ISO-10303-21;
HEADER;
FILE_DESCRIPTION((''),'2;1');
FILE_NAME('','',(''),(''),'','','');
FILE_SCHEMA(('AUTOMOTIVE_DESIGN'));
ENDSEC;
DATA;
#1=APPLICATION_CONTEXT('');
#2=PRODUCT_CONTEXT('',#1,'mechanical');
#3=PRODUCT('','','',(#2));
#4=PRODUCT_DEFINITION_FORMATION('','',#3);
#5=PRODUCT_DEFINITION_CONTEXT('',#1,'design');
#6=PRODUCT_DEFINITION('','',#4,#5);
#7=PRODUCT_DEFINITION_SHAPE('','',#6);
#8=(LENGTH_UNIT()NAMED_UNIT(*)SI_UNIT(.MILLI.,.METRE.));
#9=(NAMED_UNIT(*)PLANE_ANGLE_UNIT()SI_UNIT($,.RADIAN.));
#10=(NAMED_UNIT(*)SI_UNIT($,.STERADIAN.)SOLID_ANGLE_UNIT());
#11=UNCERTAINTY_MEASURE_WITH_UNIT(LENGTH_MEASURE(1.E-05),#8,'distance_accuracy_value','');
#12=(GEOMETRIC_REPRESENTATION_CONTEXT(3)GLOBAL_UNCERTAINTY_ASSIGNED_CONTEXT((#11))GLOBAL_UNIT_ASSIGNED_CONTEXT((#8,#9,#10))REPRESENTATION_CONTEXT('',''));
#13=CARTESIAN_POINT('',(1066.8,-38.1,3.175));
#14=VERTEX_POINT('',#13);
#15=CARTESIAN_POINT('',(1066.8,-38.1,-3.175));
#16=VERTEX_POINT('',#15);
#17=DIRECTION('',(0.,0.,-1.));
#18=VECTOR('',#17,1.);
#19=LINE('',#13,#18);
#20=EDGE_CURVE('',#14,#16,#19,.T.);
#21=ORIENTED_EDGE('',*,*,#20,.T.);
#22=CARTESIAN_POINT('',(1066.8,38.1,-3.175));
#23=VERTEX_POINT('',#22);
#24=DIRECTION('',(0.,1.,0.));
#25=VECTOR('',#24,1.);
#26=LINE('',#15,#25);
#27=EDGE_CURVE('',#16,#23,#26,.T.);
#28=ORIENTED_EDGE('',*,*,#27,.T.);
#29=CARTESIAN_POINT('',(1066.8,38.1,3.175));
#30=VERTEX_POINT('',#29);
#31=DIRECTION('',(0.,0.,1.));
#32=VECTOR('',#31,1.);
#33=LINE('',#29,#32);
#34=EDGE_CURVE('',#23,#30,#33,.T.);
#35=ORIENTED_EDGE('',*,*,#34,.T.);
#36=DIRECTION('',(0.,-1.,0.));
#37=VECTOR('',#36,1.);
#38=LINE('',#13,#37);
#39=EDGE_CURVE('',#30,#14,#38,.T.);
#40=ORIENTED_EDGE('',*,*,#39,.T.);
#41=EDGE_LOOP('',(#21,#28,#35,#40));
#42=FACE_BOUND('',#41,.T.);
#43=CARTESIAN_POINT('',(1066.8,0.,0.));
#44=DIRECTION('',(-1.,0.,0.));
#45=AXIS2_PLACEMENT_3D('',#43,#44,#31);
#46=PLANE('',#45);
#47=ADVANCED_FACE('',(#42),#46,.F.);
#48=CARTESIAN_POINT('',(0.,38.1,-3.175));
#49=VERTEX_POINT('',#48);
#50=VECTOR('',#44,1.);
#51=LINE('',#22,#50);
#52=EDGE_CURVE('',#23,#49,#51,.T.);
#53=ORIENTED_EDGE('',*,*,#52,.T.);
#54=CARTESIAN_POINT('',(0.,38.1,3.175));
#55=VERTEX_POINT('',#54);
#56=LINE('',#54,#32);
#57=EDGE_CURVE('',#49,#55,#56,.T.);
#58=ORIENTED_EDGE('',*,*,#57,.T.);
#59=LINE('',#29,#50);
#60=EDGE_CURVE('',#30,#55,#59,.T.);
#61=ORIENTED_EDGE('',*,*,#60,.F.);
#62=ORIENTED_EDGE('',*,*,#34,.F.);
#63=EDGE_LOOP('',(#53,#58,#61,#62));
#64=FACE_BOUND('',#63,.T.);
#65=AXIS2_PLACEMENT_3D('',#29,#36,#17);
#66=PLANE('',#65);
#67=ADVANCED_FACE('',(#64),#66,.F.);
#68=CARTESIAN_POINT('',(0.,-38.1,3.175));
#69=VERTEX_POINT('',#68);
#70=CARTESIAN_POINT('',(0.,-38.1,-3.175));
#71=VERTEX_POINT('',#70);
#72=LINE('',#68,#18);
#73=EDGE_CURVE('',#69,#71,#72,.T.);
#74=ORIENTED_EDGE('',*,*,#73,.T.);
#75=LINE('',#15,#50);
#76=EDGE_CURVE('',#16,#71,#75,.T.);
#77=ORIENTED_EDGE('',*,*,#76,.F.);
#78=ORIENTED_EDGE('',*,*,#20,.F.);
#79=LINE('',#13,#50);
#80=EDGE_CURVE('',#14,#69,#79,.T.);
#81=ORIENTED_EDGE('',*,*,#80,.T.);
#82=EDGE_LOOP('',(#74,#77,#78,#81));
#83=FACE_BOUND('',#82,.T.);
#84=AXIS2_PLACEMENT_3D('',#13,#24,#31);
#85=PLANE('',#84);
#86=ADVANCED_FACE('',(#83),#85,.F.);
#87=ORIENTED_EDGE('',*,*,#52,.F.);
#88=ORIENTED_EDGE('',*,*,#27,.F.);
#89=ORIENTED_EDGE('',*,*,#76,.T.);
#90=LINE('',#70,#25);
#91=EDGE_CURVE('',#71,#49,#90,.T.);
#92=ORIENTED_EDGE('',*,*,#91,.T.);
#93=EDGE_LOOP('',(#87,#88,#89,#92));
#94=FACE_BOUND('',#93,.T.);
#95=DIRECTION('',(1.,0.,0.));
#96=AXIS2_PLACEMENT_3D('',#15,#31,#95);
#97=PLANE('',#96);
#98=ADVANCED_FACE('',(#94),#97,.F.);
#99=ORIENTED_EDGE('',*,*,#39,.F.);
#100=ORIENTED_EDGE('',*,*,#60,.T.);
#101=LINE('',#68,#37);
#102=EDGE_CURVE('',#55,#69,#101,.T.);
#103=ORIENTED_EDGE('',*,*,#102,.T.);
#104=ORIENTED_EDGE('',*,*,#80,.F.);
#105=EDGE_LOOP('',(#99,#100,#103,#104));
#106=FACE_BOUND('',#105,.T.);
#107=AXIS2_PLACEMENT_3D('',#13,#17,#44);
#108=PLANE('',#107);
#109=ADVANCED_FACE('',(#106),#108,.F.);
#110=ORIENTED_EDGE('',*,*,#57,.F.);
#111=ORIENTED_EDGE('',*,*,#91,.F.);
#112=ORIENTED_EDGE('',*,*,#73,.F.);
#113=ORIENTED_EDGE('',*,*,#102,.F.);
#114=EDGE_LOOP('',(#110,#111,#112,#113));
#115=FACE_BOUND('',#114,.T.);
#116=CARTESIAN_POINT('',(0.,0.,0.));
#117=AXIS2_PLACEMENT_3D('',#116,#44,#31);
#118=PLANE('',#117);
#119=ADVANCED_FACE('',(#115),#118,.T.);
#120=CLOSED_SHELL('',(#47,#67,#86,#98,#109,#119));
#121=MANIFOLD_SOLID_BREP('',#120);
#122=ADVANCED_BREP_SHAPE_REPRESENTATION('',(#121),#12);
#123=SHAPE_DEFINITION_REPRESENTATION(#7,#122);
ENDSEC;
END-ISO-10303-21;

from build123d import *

# Parameters (mm, degrees)
SKETCH1_W           = 6.35
SKETCH1_H           = 76.2
BOSS_EXTRUDE1_DEPTH = 1066.8


with BuildPart() as part:
    # Sketch1 → Boss-Extrude1 (new body)
    with BuildSketch(Plane(origin=(0, 0, 0), x_dir=(0, 0, -1), z_dir=(1, 0, 0))):
        Rectangle(SKETCH1_W, SKETCH1_H)
    extrude(amount=BOSS_EXTRUDE1_DEPTH)


solid = part.part
